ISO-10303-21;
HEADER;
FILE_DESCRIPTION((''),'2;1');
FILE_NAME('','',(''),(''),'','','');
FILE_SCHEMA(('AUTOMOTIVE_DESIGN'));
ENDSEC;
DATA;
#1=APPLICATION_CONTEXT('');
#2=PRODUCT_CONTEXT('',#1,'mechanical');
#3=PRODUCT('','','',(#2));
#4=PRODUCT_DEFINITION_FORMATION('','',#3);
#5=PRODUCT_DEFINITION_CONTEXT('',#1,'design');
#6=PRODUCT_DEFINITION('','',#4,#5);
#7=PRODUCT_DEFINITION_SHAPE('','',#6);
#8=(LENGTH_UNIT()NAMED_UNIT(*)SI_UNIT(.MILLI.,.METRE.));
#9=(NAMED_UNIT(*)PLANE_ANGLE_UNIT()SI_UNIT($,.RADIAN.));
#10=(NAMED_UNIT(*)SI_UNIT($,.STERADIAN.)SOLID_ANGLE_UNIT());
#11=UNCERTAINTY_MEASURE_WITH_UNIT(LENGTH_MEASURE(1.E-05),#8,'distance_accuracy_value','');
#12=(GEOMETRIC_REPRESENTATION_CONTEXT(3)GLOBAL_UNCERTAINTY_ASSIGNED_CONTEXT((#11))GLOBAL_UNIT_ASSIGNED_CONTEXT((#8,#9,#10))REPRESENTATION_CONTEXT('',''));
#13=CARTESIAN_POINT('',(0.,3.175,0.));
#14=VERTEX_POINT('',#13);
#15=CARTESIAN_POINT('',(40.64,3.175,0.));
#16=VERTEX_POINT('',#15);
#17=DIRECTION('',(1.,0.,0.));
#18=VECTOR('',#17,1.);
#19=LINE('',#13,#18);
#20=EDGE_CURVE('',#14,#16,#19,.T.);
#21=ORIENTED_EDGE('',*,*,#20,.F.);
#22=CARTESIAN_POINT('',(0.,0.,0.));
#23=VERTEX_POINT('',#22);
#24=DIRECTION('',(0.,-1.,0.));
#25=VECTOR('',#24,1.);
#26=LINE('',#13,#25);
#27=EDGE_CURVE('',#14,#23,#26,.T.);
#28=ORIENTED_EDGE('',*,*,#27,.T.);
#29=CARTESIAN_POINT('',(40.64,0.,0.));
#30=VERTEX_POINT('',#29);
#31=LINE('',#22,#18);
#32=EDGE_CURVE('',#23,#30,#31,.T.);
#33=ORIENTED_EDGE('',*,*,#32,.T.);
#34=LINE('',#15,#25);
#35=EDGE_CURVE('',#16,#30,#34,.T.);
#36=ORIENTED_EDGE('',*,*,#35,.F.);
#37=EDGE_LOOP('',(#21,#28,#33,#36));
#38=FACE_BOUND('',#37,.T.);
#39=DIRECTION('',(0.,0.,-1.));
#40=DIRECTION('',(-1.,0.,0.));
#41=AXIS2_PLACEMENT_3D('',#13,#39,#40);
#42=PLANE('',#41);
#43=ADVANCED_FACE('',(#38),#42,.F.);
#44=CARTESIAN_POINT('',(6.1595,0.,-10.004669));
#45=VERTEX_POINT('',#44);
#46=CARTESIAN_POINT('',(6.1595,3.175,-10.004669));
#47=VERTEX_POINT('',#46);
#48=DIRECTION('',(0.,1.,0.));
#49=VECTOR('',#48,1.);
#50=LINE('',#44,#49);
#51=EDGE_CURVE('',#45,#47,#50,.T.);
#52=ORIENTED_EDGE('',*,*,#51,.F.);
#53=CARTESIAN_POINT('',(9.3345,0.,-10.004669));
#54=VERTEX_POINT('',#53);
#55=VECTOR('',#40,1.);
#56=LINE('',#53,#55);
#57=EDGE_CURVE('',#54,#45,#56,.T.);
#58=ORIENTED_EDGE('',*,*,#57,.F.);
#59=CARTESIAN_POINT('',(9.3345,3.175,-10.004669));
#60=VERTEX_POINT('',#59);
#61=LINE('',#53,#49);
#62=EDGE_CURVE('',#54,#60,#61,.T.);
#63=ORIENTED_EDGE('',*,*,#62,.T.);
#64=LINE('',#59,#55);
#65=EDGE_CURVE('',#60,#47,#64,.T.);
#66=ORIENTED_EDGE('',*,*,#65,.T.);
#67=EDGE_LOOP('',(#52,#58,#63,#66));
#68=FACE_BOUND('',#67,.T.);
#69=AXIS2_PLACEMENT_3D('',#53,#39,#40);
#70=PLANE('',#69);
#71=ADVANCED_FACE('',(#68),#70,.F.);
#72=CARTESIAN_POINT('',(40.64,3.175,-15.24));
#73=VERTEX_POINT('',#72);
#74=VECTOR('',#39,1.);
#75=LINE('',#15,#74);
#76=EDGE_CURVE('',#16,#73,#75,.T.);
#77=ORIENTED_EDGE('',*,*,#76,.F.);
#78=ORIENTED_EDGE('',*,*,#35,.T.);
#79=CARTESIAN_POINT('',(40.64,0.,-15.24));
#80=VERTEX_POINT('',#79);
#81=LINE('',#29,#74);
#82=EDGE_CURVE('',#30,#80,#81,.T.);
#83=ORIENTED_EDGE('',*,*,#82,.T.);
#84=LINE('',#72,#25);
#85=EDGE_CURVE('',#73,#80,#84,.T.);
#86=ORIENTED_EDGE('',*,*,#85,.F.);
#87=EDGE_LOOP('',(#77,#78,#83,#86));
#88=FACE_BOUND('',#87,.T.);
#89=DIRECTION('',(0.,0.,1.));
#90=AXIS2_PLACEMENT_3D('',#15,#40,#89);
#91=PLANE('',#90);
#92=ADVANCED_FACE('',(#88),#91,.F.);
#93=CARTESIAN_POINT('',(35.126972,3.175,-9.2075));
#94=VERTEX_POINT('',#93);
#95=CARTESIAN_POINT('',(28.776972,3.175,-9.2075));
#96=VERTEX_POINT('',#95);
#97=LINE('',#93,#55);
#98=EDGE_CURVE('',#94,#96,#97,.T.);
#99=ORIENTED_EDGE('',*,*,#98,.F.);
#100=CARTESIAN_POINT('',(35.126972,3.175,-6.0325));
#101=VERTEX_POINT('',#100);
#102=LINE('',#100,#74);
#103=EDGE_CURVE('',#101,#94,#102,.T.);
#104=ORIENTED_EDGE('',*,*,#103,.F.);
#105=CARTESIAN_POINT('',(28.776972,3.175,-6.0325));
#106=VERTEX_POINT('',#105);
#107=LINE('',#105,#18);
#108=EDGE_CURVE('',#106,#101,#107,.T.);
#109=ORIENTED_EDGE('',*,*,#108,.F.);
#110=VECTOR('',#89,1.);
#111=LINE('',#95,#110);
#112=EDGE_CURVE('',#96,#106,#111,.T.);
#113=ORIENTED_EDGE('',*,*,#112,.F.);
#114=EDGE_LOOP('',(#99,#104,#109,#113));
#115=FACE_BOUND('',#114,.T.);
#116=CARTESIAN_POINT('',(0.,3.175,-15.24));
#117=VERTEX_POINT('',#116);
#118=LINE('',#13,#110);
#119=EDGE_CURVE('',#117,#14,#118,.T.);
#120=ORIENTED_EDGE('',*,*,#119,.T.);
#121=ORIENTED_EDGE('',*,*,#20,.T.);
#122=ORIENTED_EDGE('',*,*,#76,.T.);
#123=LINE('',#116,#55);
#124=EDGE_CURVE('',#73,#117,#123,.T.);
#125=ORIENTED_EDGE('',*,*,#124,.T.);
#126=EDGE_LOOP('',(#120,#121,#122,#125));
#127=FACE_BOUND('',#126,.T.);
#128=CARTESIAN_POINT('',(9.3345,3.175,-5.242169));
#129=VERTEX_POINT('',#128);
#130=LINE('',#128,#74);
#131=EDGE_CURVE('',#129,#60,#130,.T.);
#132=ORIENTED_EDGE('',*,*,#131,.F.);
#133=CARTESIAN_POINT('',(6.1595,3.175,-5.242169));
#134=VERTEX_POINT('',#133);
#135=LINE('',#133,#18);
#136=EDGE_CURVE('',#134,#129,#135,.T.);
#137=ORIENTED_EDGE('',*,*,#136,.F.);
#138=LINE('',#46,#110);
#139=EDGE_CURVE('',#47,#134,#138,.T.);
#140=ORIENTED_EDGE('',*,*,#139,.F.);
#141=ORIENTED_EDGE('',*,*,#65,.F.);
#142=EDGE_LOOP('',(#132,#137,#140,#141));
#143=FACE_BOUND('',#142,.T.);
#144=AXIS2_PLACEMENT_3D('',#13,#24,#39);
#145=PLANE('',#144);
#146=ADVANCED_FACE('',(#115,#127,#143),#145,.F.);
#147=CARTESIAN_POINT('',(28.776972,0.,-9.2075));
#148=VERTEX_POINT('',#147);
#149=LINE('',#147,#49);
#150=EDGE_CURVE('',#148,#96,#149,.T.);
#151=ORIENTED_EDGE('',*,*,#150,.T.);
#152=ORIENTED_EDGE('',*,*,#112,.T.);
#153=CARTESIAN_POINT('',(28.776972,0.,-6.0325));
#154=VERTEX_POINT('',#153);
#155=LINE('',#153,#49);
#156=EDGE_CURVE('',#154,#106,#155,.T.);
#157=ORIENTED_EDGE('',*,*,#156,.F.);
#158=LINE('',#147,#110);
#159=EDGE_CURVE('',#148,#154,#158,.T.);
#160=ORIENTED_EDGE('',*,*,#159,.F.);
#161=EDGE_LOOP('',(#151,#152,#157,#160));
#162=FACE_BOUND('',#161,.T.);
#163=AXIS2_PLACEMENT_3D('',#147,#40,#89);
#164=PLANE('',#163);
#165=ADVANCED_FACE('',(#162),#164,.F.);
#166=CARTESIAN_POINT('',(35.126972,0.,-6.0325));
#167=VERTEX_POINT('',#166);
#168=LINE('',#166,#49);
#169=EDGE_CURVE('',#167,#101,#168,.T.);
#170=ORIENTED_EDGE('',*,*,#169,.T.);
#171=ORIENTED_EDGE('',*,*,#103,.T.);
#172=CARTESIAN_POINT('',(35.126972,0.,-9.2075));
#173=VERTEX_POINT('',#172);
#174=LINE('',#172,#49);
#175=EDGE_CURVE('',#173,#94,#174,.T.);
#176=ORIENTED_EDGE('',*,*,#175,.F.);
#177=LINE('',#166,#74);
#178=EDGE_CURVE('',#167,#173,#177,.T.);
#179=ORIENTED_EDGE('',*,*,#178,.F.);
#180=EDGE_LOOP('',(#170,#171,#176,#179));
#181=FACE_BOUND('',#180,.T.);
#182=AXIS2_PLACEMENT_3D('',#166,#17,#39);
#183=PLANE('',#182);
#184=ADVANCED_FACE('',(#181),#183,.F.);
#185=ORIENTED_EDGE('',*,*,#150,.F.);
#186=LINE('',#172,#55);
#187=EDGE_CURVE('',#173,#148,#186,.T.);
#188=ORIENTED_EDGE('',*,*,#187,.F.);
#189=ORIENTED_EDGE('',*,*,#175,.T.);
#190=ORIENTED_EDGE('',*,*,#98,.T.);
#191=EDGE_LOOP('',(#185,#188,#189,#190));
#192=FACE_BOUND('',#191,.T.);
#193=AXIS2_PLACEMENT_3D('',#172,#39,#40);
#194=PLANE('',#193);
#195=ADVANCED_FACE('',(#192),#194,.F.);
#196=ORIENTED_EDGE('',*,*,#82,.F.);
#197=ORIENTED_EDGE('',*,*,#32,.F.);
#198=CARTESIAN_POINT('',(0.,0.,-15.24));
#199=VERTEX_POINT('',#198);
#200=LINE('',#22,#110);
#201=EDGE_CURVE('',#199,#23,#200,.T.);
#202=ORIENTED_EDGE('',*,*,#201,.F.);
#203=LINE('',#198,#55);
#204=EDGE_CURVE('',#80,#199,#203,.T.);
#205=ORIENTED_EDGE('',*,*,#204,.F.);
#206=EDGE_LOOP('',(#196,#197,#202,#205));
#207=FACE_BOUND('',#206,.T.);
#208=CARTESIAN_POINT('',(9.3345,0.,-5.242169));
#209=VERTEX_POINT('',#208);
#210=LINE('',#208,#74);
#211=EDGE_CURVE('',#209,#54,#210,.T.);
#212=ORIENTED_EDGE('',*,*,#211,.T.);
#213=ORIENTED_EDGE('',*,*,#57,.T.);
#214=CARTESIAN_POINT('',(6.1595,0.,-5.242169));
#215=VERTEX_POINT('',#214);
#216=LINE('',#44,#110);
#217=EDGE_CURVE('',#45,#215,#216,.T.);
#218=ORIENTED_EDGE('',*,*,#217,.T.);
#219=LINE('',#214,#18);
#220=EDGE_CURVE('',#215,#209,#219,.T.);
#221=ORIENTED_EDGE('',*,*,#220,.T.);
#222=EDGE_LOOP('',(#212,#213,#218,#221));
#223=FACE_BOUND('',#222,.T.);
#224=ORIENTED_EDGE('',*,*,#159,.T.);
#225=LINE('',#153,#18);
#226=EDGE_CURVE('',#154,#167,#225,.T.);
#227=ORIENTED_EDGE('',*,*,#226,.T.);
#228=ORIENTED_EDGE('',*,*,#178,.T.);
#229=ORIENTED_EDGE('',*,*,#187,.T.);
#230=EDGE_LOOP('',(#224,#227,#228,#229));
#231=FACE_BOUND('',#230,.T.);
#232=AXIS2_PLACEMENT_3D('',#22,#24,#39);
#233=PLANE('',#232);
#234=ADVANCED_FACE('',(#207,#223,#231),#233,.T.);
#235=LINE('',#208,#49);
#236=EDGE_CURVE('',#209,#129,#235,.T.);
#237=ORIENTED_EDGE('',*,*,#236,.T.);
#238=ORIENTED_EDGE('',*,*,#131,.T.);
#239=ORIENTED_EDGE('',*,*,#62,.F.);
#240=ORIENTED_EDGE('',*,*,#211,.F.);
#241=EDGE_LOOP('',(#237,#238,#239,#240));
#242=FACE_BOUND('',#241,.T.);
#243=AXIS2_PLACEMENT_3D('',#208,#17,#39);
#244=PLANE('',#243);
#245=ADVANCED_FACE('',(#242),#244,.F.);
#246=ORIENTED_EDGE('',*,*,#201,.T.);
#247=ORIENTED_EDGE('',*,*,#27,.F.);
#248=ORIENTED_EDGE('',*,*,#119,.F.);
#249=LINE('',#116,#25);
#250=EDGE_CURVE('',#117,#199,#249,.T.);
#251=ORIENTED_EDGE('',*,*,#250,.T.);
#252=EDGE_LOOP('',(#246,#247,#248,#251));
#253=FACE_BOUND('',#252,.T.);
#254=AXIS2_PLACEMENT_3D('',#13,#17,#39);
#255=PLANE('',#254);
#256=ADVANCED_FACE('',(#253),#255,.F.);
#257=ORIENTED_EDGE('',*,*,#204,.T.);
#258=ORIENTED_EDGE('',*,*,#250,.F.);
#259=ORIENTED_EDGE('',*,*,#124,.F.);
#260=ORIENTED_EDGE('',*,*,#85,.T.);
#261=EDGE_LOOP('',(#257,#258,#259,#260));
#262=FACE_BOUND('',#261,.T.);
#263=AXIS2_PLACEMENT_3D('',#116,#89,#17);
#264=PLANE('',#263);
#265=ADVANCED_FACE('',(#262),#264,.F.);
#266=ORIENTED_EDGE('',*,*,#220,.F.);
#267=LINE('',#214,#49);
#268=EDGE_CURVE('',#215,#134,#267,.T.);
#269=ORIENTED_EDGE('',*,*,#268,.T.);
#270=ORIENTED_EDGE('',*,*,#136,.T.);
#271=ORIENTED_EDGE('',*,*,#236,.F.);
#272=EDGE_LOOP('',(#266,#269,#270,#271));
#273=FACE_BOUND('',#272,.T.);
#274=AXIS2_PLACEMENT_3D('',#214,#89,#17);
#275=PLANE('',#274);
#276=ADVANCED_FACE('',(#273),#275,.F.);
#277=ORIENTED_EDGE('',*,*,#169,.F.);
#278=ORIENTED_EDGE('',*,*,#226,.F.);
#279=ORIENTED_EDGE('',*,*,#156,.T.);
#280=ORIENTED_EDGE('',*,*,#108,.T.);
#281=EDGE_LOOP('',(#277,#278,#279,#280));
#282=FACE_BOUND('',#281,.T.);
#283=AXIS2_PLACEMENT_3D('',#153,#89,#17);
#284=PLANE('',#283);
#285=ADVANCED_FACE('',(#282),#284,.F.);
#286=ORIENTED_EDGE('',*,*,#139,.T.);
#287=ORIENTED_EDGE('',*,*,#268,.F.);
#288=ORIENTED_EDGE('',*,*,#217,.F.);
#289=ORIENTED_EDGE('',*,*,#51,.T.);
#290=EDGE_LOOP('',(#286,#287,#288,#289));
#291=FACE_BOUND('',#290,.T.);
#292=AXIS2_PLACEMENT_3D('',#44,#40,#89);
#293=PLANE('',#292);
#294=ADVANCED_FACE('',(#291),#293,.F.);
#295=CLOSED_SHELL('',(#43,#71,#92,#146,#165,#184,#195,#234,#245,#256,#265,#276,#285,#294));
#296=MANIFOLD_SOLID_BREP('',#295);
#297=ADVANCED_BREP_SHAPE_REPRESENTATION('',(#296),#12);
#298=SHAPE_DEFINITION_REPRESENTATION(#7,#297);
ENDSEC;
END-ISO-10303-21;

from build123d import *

# Parameters (mm, degrees)
SKETCH1_W           = 40.64
SKETCH1_H           = 15.24
BOSS_EXTRUDE1_DEPTH = 3.175
SKETCH2_W           = 6.35
SKETCH2_H           = 3.175
SKETCH2_W_2         = 3.175
SKETCH2_H_2         = 4.7625
CUT_EXTRUDE1_DEPTH  = 44.519510854


with BuildPart() as part:
    # Sketch1 → Boss-Extrude1 (new body)
    with BuildSketch(Plane(origin=(0, 0, 0), x_dir=(1, 0, 0), z_dir=(0, 1, 0))):
        with Locations((20.32, 7.62)):
            Rectangle(SKETCH1_W, SKETCH1_H)
    extrude(amount=BOSS_EXTRUDE1_DEPTH)

    # Sketch2 → Cut-Extrude1 (cut, through all)
    with BuildSketch(Plane(origin=(0, 3.175, 0), x_dir=(1, 0, 0), z_dir=(0, 1, 0))):
        with Locations((31.951971644, 7.62)):
            Rectangle(SKETCH2_W, SKETCH2_H)
        with Locations((7.747, 7.623418676)):
            Rectangle(SKETCH2_W_2, SKETCH2_H_2)
    extrude(amount=-CUT_EXTRUDE1_DEPTH, mode=Mode.SUBTRACT)


solid = part.part
